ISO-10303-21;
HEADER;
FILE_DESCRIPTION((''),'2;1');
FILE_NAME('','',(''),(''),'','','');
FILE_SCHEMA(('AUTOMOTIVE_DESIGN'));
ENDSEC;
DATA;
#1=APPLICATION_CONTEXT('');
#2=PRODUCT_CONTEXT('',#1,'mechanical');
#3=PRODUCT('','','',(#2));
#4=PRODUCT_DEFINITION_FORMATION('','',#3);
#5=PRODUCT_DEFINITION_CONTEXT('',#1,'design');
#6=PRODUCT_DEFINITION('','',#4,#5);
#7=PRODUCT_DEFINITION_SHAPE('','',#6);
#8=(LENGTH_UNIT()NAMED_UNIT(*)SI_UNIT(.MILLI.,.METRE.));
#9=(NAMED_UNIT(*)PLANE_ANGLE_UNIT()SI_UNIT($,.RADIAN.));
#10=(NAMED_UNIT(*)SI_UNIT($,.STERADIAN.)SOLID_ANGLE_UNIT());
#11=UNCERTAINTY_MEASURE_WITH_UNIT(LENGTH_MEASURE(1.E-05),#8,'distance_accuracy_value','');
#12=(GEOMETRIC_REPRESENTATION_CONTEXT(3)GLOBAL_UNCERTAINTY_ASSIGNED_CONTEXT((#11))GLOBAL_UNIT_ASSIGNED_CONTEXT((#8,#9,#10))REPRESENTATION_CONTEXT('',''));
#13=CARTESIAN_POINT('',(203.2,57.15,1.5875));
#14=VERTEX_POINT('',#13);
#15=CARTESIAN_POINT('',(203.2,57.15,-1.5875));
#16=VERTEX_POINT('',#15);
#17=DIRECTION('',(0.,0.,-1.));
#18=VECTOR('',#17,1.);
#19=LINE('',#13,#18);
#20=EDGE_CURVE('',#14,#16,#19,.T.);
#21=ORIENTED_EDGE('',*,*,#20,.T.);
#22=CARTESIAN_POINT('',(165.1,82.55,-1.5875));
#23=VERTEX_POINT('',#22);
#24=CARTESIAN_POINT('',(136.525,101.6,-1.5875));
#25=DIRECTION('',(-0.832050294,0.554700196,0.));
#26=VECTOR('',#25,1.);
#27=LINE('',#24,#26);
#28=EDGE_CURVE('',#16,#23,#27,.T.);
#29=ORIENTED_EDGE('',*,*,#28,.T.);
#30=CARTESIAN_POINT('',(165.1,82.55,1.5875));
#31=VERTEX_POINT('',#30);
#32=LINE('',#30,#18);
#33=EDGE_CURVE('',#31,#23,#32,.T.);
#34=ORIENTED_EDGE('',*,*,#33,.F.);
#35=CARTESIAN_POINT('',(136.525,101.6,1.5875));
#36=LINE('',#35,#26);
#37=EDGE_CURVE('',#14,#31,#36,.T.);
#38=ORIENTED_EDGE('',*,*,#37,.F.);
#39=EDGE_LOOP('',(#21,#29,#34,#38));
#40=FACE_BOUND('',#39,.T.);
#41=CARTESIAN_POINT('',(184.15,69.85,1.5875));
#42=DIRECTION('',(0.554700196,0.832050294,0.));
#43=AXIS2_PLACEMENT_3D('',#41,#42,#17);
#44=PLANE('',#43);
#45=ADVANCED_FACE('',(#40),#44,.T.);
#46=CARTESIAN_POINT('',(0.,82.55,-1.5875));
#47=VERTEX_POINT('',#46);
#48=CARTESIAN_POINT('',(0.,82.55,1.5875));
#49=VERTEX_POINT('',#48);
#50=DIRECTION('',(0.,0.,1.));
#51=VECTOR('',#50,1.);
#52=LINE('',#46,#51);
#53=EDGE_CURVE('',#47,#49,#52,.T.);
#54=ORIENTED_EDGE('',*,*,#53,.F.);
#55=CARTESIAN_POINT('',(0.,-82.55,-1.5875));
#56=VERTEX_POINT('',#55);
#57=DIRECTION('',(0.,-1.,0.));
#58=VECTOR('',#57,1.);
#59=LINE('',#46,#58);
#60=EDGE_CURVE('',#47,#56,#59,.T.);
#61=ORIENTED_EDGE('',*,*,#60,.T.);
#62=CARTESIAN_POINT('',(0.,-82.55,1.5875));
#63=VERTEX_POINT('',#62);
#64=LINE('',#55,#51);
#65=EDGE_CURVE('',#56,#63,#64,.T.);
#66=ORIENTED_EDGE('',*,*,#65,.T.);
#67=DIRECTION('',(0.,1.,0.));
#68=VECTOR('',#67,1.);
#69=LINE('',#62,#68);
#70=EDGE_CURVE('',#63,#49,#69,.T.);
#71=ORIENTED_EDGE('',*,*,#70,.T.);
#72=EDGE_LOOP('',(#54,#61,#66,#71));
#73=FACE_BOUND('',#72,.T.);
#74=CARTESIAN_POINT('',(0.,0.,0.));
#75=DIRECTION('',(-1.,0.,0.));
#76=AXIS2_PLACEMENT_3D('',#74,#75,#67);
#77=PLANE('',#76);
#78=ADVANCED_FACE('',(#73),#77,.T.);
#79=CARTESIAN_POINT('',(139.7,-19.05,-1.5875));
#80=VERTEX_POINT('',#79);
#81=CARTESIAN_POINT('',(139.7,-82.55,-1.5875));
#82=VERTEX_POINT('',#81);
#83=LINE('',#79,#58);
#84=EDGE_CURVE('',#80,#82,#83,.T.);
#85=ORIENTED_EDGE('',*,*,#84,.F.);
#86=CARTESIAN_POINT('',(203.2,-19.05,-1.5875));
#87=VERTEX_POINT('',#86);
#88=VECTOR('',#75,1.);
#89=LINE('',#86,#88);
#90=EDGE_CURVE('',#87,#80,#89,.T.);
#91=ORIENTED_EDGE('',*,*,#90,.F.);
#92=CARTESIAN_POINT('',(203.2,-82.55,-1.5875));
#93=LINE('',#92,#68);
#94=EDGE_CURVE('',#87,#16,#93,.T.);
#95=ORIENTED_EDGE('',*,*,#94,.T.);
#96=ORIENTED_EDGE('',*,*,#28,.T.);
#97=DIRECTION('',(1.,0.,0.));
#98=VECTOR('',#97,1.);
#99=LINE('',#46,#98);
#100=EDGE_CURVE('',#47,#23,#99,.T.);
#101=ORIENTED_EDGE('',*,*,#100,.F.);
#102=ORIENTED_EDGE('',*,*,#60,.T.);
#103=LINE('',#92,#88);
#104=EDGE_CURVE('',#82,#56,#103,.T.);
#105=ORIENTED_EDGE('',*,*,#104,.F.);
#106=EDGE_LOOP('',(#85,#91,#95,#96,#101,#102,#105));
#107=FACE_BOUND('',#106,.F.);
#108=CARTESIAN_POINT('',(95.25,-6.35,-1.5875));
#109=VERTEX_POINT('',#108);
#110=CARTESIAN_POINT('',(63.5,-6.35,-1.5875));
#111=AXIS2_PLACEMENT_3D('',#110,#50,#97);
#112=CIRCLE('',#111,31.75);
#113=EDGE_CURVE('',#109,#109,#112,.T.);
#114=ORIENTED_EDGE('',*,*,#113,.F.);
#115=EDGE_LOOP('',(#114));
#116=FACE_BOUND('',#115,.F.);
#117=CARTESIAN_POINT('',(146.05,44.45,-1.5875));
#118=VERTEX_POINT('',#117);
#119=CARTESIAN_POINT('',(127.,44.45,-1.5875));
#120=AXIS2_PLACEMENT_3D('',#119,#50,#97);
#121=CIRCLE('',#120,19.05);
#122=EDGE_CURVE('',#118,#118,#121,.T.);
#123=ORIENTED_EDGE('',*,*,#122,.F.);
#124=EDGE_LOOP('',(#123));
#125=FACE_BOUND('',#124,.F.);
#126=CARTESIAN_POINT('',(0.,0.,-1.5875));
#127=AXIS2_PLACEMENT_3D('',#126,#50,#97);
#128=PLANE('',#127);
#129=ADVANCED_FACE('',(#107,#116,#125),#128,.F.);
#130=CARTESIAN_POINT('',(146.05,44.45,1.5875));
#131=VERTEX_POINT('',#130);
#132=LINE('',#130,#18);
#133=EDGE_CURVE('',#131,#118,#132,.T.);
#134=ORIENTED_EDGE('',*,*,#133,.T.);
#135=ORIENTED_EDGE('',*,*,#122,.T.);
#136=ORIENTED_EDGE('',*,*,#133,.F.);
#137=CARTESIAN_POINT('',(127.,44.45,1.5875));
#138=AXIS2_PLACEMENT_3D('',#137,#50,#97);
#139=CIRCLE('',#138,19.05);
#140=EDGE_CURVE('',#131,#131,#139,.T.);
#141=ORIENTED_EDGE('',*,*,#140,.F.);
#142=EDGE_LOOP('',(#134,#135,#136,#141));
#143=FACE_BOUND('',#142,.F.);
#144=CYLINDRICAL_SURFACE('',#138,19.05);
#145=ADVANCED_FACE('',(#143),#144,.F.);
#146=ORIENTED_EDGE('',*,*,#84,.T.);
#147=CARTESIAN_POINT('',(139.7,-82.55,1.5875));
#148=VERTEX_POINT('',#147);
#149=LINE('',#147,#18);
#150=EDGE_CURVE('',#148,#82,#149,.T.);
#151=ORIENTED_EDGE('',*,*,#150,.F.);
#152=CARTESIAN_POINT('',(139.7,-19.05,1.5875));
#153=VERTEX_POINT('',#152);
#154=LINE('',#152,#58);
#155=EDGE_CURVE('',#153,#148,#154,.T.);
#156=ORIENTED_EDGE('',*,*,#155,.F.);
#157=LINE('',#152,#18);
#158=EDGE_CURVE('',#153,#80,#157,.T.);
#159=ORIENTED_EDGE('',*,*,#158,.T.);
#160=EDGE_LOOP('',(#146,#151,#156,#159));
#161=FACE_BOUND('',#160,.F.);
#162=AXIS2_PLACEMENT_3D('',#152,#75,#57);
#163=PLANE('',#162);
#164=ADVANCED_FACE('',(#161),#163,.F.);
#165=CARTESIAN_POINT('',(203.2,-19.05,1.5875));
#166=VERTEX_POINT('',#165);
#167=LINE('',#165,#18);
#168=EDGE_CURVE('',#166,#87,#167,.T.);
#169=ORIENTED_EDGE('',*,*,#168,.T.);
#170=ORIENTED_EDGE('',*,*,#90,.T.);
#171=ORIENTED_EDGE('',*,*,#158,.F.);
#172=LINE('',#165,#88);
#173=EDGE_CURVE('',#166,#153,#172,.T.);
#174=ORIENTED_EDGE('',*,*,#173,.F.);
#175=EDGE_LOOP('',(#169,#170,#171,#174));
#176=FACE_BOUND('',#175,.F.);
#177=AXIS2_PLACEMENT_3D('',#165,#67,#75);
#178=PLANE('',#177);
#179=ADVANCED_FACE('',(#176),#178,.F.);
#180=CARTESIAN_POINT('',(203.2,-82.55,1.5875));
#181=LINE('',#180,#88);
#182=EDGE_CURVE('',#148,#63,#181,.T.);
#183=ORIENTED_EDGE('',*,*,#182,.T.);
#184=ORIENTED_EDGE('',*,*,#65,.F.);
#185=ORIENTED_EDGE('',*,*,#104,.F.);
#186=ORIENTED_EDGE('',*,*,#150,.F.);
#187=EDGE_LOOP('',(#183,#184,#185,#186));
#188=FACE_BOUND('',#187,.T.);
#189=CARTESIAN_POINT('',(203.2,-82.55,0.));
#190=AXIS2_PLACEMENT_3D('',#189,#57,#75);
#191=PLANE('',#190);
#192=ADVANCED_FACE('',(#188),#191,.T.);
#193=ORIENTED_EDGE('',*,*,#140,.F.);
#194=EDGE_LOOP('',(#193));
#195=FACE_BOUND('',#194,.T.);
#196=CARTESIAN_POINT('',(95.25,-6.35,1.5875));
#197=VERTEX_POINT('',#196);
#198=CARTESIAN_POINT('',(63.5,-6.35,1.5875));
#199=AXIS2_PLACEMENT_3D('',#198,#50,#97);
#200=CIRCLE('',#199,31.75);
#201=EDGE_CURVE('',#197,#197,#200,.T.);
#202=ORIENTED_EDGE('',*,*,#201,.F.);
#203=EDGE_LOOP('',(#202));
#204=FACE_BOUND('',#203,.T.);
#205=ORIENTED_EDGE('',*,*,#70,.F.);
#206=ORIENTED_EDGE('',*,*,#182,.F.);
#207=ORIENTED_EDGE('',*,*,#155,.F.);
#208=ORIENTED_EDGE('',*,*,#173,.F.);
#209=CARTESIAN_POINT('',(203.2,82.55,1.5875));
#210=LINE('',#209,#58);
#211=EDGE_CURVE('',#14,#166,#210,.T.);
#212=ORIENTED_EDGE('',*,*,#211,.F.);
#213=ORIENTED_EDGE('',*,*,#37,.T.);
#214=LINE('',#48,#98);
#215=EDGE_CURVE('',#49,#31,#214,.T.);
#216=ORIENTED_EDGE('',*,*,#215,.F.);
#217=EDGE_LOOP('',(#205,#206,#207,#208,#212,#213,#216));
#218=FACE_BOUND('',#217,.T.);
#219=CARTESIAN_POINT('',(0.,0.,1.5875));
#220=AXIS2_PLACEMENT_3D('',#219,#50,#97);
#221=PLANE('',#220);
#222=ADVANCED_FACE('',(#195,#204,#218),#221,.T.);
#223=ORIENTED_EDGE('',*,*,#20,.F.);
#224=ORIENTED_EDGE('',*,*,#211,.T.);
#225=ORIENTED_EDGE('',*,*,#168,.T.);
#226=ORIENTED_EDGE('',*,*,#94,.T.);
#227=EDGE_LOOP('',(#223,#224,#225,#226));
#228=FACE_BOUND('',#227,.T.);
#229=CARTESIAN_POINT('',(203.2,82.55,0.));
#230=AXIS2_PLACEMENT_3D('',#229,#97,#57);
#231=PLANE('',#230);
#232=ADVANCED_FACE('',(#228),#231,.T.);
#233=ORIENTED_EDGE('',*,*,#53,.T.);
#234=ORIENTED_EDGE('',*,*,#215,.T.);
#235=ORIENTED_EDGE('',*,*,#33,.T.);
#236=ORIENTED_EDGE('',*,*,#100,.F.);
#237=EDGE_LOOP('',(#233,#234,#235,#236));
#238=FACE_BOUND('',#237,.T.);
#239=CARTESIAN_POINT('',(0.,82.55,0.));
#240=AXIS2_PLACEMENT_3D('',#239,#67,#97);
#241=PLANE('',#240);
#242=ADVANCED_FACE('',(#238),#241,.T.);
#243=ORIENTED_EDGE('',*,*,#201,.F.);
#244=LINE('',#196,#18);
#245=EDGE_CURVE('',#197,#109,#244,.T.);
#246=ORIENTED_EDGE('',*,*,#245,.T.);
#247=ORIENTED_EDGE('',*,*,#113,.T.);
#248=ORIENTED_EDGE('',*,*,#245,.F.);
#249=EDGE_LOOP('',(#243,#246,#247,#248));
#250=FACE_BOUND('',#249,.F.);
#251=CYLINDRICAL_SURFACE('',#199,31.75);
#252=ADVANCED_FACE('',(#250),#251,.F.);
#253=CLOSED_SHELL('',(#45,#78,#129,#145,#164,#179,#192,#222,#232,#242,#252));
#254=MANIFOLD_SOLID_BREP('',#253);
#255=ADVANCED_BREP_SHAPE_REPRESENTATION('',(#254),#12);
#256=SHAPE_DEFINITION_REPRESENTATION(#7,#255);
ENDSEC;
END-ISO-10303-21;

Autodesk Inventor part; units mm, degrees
sketch "Sketch1" plane through (0, 0, 0) normal (0, 0, 1) x (1, 0, 0)
  line L0 (0, 82.55) -> (203.2, 82.55)
  line L1 (203.2, 82.55) -> (203.2, -82.55)
  line L2 (203.2, -82.55) -> (0, -82.55)
  line L3 (0, -82.55) -> (0, 82.55)
  line L4 (0, 115.57) -> (0, -115.57) projected
  line L5 (-40.64, 0) -> (243.84, 0) projected
  point P0 (0, 0)
  dimension "d0" = 0
  dimension "d1" = 165.1
  dimension "d2" = 203.2
  dimension "d3" = 82.55
extrude "Extrusion1" add sketch "Sketch1" along normal mid plane 3.175
sketch "Sketch2" plane through (0, 0, 1.5875) normal (0, 0, 1) x (1, 0, 0)
  circle A0 centre (127, 44.45) radius 19.05
  line L0 (0, 82.55) -> (0, -82.55) projected
  line L1 (203.2, 82.55) -> (0, 82.55) projected
  circle A1 centre (63.5, -6.35) radius 31.75
  line L2 (0, -82.55) -> (203.2, -82.55) projected
  line L3 (203.2, -82.55) -> (203.2, 82.55) projected
  line L4 (203.2, -19.05) -> (139.7, -19.05)
  line L5 (139.7, -19.05) -> (139.7, -82.55)
  point P0 (0, 0)
  dimension "d6" = 38.1
  dimension "d7" = 127
  dimension "d8" = 38.1
  dimension "d9" = 63.5
  dimension "d10" = 63.5
  dimension "d11" = 76.2
  dimension "d14" = 63.5
  dimension "d15" = 63.5
extrude "Extrusion2" cut sketch "Sketch2" against normal up to surface (3.175 mm away) contours A0 | L5 L4 L3 L2 | A1
chamfer "Chamfer1" distance 25.4 distance2 38.1 1 edges at (203.2, 82.55, 0) measured on face at (203.2, 14.8167, -0.5292)
equation "\"d3\" = 0.5 * d1"
properties part number "chap2ex2"
